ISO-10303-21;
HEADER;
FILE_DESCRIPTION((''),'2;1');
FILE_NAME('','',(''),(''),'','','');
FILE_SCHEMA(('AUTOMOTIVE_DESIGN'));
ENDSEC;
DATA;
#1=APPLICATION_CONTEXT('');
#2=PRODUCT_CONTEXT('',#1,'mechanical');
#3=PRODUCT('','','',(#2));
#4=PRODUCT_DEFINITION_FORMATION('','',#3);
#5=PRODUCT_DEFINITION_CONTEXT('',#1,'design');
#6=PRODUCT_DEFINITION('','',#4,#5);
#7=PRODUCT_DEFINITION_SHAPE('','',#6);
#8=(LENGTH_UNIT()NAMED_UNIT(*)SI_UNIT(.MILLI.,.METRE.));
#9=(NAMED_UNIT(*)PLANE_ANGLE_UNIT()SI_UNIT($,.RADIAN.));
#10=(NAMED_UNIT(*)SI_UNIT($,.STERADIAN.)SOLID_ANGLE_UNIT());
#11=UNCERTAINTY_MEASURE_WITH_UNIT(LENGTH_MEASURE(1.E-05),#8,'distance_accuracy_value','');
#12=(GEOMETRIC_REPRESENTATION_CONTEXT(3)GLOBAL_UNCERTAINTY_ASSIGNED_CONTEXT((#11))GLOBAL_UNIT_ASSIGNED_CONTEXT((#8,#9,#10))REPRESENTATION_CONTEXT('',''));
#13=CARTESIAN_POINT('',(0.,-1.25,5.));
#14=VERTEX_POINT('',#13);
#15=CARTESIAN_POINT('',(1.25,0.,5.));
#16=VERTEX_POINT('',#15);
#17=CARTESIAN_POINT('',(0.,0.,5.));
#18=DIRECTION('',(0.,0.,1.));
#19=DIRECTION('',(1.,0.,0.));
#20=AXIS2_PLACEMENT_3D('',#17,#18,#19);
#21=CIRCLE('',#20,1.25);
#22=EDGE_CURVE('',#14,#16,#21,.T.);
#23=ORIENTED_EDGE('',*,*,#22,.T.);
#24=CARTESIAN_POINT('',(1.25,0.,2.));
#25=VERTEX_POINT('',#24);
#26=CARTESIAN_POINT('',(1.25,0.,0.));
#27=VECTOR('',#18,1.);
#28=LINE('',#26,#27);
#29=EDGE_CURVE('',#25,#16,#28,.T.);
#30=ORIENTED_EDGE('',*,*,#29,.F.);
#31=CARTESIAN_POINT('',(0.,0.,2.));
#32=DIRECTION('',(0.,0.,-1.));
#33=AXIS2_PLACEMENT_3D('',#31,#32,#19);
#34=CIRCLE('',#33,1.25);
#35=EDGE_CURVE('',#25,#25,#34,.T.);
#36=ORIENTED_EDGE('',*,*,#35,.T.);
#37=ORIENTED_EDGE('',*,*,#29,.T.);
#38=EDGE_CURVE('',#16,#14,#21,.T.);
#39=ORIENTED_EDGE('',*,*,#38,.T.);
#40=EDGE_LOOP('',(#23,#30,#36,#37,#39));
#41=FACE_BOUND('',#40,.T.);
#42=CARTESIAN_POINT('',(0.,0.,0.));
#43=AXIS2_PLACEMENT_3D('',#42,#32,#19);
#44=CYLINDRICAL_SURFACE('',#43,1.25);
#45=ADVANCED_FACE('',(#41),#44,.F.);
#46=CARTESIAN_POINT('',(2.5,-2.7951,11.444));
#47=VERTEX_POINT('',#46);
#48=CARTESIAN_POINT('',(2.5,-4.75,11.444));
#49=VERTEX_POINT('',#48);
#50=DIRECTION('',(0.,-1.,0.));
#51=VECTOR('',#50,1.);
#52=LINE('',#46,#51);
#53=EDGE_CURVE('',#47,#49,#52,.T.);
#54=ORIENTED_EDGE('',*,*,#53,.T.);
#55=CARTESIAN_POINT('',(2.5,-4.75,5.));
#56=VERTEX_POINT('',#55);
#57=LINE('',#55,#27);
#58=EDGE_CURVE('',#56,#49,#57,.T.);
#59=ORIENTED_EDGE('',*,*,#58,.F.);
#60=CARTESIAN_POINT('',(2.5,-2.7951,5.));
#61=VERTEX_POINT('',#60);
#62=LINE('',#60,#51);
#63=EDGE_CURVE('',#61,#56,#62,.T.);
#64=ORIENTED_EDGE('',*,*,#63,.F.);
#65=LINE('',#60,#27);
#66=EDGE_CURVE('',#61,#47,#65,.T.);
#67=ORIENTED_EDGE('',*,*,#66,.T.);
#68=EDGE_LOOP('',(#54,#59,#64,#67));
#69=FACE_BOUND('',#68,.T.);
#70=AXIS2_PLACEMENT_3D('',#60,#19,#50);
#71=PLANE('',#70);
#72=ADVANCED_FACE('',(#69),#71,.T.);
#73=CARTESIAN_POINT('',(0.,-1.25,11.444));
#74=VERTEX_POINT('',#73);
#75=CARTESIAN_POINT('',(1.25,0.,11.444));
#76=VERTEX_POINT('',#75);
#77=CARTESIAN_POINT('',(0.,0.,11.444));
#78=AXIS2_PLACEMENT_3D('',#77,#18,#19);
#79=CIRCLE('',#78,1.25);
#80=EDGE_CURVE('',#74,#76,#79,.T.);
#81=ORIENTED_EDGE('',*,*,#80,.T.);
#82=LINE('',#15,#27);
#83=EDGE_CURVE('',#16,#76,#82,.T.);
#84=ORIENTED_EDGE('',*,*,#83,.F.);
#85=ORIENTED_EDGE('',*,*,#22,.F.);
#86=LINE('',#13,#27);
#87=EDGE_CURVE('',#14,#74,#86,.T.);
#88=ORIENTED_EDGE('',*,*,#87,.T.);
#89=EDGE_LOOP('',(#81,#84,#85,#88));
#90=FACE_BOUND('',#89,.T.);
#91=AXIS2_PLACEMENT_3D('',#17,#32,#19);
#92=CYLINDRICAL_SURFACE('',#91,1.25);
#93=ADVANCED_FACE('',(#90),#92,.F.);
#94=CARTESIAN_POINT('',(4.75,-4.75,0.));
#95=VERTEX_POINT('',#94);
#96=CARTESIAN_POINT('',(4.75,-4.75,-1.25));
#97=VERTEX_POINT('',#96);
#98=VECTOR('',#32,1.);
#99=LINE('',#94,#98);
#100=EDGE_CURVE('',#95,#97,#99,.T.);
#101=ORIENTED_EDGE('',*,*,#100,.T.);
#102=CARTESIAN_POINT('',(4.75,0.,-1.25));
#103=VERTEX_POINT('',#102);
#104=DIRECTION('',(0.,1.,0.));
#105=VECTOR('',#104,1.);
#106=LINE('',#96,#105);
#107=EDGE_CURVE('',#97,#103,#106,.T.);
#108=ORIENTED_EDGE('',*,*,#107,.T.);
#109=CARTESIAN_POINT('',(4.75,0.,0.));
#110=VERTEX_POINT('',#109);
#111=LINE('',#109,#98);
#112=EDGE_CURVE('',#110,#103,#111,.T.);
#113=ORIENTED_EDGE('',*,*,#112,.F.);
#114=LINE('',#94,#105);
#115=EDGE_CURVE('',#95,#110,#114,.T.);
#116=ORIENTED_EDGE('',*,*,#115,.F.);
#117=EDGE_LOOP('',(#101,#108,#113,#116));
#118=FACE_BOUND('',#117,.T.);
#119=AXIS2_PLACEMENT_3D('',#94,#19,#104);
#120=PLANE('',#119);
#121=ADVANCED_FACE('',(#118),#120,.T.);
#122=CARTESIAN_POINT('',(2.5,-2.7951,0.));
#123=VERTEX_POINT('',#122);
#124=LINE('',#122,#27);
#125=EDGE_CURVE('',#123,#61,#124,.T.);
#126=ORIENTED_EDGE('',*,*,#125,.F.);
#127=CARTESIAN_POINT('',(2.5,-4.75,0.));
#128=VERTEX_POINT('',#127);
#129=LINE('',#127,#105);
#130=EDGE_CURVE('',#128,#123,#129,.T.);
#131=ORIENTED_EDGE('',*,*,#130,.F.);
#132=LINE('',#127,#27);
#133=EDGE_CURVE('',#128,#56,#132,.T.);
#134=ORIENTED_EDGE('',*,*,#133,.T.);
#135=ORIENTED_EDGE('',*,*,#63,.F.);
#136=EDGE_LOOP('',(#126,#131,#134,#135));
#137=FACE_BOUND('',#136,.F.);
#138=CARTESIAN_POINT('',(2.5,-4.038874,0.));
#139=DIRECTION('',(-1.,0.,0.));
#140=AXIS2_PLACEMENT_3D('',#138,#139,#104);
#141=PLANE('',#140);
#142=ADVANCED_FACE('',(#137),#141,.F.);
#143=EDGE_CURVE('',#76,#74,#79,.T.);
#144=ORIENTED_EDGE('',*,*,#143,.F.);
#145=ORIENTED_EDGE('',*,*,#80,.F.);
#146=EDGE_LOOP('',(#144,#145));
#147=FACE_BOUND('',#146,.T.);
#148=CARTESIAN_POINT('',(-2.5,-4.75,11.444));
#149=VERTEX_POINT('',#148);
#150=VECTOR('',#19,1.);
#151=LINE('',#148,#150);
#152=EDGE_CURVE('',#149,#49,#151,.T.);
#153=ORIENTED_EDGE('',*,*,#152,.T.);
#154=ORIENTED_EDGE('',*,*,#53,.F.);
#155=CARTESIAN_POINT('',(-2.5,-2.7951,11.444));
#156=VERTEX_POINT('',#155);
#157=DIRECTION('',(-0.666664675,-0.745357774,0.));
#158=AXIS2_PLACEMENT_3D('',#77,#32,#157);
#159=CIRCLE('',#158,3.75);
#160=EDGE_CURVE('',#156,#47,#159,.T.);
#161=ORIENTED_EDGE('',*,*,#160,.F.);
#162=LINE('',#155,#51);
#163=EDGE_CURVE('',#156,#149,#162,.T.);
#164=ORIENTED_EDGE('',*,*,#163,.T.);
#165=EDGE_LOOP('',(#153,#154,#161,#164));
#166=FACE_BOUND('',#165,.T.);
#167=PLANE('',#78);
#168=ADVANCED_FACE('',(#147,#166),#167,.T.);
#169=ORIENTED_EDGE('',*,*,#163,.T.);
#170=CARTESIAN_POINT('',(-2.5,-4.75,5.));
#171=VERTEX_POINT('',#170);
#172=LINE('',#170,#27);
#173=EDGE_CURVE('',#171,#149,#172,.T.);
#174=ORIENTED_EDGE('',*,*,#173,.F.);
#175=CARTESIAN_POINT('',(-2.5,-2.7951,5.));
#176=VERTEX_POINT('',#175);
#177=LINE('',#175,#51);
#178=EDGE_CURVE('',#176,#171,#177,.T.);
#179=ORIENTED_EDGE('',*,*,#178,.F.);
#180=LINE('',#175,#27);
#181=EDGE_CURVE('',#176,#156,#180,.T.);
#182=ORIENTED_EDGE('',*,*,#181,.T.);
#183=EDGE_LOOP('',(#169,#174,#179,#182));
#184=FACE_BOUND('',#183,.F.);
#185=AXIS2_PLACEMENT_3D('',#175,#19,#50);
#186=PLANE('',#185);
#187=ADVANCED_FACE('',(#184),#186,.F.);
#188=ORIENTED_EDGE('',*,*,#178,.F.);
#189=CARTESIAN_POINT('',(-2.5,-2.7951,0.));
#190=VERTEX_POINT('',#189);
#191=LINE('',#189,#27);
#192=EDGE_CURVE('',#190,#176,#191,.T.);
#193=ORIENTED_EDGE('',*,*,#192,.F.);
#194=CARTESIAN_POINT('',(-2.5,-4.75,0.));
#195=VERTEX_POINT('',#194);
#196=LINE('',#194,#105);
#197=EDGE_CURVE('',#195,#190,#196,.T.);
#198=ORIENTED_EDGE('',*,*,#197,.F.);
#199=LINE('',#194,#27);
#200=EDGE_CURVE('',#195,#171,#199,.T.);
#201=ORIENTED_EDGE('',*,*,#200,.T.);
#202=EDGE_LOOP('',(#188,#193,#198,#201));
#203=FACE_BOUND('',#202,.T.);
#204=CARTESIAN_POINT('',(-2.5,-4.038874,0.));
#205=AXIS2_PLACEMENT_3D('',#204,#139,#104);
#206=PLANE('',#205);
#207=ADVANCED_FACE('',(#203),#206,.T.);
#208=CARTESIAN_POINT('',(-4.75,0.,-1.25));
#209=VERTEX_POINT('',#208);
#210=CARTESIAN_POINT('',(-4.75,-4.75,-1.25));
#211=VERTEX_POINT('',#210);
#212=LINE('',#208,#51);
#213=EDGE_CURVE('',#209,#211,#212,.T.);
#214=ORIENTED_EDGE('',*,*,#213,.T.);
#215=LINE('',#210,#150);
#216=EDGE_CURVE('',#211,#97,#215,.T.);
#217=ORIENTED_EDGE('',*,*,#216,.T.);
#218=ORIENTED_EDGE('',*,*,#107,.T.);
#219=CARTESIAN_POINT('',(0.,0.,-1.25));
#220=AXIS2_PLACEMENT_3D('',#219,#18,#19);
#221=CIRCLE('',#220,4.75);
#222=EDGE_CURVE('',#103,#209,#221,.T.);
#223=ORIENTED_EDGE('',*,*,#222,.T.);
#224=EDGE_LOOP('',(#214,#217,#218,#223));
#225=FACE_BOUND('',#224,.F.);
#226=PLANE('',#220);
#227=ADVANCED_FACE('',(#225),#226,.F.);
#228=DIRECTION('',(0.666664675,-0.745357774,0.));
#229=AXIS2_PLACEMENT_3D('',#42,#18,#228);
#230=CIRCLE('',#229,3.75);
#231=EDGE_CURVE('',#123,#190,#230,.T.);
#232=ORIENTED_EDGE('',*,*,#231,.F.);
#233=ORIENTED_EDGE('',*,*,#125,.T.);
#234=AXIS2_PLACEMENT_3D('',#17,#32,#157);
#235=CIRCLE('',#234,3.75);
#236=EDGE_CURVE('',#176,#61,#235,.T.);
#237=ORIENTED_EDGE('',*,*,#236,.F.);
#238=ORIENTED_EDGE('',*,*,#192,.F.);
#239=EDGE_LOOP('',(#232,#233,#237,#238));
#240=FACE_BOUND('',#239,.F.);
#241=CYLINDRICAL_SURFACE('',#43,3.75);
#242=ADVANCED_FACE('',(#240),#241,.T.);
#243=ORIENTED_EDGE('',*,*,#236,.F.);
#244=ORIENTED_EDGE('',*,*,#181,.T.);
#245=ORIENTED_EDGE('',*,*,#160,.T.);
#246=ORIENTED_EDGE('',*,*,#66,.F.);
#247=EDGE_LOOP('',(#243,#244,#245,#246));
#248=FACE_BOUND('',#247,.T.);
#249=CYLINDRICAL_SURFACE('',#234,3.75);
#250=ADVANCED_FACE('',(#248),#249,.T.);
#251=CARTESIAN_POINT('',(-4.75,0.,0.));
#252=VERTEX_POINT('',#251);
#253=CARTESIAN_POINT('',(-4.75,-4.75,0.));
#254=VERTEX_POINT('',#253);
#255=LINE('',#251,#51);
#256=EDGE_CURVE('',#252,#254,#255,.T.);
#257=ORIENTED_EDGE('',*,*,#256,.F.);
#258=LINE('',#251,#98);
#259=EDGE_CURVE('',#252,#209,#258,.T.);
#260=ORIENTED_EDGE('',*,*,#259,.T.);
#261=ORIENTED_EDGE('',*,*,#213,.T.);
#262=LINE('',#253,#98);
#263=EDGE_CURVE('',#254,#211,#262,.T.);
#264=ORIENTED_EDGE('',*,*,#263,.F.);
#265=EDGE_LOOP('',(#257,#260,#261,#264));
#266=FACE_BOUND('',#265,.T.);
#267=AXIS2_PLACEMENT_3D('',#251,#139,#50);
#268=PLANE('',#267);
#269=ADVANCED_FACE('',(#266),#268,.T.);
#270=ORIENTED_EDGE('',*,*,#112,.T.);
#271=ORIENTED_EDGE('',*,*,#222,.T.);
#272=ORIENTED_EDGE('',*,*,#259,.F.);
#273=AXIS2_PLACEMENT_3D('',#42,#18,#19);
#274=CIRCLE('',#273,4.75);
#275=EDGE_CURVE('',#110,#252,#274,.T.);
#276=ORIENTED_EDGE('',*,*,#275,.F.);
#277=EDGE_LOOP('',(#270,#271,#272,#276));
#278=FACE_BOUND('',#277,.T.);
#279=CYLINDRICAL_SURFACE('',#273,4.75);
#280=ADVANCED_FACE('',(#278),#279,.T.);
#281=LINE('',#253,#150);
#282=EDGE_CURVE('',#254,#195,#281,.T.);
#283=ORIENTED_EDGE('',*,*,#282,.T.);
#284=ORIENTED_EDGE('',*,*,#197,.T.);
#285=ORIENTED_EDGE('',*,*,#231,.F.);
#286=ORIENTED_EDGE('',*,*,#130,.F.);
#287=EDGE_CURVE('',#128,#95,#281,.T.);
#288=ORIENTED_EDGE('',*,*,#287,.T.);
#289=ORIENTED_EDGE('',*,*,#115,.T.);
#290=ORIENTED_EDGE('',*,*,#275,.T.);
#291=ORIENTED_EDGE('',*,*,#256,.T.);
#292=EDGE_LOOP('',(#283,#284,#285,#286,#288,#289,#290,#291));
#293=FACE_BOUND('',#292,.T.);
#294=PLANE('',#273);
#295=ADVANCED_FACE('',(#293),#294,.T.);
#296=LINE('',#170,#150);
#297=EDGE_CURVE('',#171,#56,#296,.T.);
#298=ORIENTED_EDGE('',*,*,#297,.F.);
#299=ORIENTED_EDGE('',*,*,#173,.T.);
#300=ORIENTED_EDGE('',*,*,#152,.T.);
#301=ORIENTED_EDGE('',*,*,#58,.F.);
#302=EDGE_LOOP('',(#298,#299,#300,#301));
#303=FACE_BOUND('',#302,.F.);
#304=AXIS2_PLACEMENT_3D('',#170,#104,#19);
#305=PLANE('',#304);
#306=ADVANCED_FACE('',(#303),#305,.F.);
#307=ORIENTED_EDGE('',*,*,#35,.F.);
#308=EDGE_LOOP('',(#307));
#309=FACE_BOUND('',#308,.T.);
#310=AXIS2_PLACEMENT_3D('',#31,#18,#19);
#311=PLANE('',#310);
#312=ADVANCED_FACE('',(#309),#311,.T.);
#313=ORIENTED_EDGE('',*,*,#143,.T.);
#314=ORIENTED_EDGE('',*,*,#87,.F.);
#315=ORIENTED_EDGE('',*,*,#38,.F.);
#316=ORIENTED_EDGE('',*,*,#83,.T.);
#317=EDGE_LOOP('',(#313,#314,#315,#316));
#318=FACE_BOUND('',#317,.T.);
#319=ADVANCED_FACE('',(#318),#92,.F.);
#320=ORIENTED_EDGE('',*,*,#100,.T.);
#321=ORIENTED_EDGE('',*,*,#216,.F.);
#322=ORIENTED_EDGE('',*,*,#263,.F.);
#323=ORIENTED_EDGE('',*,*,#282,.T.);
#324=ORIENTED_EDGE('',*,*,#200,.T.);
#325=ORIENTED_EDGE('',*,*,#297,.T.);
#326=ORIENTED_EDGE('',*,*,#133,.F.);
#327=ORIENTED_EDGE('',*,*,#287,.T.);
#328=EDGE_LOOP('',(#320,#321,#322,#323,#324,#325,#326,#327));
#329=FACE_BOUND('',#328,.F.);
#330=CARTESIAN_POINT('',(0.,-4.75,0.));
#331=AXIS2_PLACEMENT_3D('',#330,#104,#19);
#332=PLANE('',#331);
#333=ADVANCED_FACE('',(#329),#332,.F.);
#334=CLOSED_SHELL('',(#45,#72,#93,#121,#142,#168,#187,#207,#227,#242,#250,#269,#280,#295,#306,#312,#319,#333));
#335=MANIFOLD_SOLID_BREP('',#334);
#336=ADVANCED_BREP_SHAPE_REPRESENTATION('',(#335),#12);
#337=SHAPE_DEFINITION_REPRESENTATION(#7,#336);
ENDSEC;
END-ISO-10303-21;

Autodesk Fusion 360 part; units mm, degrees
sketch "Sketch1" plane through (0, 0, 0) normal (0, 0, 1) x (1, 0, 0)
  circle A0 centre (0, 0) radius 3.75
  circle A1 centre (0, 0) radius 1.25
  circle A2 centre (0, 0) radius 4.75
  line L0 (0, 0) -> (0, -4.75)
  line L1 (0, -4.75) -> (2.5, -4.75)
  line L2 (0, -4.75) -> (-2.5, -4.75)
  line L3 (2.5, -4.75) -> (2.5, -2.7951)
  line L4 (-2.5, -4.75) -> (-2.5, -2.7951)
  line L5 (2.5, -4.75) -> (4.75, -4.75)
  line L6 (4.75, -4.75) -> (4.75, 0)
  line L7 (-4.75, 0) -> (-4.75, -4.75)
  line L8 (-4.75, -4.75) -> (-2.5, -4.75)
  dimension "d1" = 7.5
  dimension "d2" = 2.5
  dimension "d3" = 9.5
  dimension "d4" = 2.5
  dimension "d5" = 2.5
  dimension "d10" = 2.25
extrude "Extrude1" add sketch "Sketch1" along normal blind 5 contours A0 | A0 A2 L0 L4 | A0 A2 L0 L3 | A2 L2 L4 | A2 L1 L3
extrude "Extrude2" add sketch "Sketch1" along normal blind 2 contours A1
extrude "Extrude3" add sketch "Sketch1" against normal blind 1.25 contours A1 | A0 | A0 A2 L3 L4 | A0 A2 L0 L4 | A0 A2 L0 L3 | A2 L4 L7 L8 | A2 L2 L4 | A2 L1 L3 | A2 L3 L5 L6
extrude "Extrude4" add 1 faces at (-0.9543, -2.5804, 5) along direction (0, 0, 1) blind 6.444
extrude "Extrude5" [suppressed]
extrude "Extrude6" [suppressed]
